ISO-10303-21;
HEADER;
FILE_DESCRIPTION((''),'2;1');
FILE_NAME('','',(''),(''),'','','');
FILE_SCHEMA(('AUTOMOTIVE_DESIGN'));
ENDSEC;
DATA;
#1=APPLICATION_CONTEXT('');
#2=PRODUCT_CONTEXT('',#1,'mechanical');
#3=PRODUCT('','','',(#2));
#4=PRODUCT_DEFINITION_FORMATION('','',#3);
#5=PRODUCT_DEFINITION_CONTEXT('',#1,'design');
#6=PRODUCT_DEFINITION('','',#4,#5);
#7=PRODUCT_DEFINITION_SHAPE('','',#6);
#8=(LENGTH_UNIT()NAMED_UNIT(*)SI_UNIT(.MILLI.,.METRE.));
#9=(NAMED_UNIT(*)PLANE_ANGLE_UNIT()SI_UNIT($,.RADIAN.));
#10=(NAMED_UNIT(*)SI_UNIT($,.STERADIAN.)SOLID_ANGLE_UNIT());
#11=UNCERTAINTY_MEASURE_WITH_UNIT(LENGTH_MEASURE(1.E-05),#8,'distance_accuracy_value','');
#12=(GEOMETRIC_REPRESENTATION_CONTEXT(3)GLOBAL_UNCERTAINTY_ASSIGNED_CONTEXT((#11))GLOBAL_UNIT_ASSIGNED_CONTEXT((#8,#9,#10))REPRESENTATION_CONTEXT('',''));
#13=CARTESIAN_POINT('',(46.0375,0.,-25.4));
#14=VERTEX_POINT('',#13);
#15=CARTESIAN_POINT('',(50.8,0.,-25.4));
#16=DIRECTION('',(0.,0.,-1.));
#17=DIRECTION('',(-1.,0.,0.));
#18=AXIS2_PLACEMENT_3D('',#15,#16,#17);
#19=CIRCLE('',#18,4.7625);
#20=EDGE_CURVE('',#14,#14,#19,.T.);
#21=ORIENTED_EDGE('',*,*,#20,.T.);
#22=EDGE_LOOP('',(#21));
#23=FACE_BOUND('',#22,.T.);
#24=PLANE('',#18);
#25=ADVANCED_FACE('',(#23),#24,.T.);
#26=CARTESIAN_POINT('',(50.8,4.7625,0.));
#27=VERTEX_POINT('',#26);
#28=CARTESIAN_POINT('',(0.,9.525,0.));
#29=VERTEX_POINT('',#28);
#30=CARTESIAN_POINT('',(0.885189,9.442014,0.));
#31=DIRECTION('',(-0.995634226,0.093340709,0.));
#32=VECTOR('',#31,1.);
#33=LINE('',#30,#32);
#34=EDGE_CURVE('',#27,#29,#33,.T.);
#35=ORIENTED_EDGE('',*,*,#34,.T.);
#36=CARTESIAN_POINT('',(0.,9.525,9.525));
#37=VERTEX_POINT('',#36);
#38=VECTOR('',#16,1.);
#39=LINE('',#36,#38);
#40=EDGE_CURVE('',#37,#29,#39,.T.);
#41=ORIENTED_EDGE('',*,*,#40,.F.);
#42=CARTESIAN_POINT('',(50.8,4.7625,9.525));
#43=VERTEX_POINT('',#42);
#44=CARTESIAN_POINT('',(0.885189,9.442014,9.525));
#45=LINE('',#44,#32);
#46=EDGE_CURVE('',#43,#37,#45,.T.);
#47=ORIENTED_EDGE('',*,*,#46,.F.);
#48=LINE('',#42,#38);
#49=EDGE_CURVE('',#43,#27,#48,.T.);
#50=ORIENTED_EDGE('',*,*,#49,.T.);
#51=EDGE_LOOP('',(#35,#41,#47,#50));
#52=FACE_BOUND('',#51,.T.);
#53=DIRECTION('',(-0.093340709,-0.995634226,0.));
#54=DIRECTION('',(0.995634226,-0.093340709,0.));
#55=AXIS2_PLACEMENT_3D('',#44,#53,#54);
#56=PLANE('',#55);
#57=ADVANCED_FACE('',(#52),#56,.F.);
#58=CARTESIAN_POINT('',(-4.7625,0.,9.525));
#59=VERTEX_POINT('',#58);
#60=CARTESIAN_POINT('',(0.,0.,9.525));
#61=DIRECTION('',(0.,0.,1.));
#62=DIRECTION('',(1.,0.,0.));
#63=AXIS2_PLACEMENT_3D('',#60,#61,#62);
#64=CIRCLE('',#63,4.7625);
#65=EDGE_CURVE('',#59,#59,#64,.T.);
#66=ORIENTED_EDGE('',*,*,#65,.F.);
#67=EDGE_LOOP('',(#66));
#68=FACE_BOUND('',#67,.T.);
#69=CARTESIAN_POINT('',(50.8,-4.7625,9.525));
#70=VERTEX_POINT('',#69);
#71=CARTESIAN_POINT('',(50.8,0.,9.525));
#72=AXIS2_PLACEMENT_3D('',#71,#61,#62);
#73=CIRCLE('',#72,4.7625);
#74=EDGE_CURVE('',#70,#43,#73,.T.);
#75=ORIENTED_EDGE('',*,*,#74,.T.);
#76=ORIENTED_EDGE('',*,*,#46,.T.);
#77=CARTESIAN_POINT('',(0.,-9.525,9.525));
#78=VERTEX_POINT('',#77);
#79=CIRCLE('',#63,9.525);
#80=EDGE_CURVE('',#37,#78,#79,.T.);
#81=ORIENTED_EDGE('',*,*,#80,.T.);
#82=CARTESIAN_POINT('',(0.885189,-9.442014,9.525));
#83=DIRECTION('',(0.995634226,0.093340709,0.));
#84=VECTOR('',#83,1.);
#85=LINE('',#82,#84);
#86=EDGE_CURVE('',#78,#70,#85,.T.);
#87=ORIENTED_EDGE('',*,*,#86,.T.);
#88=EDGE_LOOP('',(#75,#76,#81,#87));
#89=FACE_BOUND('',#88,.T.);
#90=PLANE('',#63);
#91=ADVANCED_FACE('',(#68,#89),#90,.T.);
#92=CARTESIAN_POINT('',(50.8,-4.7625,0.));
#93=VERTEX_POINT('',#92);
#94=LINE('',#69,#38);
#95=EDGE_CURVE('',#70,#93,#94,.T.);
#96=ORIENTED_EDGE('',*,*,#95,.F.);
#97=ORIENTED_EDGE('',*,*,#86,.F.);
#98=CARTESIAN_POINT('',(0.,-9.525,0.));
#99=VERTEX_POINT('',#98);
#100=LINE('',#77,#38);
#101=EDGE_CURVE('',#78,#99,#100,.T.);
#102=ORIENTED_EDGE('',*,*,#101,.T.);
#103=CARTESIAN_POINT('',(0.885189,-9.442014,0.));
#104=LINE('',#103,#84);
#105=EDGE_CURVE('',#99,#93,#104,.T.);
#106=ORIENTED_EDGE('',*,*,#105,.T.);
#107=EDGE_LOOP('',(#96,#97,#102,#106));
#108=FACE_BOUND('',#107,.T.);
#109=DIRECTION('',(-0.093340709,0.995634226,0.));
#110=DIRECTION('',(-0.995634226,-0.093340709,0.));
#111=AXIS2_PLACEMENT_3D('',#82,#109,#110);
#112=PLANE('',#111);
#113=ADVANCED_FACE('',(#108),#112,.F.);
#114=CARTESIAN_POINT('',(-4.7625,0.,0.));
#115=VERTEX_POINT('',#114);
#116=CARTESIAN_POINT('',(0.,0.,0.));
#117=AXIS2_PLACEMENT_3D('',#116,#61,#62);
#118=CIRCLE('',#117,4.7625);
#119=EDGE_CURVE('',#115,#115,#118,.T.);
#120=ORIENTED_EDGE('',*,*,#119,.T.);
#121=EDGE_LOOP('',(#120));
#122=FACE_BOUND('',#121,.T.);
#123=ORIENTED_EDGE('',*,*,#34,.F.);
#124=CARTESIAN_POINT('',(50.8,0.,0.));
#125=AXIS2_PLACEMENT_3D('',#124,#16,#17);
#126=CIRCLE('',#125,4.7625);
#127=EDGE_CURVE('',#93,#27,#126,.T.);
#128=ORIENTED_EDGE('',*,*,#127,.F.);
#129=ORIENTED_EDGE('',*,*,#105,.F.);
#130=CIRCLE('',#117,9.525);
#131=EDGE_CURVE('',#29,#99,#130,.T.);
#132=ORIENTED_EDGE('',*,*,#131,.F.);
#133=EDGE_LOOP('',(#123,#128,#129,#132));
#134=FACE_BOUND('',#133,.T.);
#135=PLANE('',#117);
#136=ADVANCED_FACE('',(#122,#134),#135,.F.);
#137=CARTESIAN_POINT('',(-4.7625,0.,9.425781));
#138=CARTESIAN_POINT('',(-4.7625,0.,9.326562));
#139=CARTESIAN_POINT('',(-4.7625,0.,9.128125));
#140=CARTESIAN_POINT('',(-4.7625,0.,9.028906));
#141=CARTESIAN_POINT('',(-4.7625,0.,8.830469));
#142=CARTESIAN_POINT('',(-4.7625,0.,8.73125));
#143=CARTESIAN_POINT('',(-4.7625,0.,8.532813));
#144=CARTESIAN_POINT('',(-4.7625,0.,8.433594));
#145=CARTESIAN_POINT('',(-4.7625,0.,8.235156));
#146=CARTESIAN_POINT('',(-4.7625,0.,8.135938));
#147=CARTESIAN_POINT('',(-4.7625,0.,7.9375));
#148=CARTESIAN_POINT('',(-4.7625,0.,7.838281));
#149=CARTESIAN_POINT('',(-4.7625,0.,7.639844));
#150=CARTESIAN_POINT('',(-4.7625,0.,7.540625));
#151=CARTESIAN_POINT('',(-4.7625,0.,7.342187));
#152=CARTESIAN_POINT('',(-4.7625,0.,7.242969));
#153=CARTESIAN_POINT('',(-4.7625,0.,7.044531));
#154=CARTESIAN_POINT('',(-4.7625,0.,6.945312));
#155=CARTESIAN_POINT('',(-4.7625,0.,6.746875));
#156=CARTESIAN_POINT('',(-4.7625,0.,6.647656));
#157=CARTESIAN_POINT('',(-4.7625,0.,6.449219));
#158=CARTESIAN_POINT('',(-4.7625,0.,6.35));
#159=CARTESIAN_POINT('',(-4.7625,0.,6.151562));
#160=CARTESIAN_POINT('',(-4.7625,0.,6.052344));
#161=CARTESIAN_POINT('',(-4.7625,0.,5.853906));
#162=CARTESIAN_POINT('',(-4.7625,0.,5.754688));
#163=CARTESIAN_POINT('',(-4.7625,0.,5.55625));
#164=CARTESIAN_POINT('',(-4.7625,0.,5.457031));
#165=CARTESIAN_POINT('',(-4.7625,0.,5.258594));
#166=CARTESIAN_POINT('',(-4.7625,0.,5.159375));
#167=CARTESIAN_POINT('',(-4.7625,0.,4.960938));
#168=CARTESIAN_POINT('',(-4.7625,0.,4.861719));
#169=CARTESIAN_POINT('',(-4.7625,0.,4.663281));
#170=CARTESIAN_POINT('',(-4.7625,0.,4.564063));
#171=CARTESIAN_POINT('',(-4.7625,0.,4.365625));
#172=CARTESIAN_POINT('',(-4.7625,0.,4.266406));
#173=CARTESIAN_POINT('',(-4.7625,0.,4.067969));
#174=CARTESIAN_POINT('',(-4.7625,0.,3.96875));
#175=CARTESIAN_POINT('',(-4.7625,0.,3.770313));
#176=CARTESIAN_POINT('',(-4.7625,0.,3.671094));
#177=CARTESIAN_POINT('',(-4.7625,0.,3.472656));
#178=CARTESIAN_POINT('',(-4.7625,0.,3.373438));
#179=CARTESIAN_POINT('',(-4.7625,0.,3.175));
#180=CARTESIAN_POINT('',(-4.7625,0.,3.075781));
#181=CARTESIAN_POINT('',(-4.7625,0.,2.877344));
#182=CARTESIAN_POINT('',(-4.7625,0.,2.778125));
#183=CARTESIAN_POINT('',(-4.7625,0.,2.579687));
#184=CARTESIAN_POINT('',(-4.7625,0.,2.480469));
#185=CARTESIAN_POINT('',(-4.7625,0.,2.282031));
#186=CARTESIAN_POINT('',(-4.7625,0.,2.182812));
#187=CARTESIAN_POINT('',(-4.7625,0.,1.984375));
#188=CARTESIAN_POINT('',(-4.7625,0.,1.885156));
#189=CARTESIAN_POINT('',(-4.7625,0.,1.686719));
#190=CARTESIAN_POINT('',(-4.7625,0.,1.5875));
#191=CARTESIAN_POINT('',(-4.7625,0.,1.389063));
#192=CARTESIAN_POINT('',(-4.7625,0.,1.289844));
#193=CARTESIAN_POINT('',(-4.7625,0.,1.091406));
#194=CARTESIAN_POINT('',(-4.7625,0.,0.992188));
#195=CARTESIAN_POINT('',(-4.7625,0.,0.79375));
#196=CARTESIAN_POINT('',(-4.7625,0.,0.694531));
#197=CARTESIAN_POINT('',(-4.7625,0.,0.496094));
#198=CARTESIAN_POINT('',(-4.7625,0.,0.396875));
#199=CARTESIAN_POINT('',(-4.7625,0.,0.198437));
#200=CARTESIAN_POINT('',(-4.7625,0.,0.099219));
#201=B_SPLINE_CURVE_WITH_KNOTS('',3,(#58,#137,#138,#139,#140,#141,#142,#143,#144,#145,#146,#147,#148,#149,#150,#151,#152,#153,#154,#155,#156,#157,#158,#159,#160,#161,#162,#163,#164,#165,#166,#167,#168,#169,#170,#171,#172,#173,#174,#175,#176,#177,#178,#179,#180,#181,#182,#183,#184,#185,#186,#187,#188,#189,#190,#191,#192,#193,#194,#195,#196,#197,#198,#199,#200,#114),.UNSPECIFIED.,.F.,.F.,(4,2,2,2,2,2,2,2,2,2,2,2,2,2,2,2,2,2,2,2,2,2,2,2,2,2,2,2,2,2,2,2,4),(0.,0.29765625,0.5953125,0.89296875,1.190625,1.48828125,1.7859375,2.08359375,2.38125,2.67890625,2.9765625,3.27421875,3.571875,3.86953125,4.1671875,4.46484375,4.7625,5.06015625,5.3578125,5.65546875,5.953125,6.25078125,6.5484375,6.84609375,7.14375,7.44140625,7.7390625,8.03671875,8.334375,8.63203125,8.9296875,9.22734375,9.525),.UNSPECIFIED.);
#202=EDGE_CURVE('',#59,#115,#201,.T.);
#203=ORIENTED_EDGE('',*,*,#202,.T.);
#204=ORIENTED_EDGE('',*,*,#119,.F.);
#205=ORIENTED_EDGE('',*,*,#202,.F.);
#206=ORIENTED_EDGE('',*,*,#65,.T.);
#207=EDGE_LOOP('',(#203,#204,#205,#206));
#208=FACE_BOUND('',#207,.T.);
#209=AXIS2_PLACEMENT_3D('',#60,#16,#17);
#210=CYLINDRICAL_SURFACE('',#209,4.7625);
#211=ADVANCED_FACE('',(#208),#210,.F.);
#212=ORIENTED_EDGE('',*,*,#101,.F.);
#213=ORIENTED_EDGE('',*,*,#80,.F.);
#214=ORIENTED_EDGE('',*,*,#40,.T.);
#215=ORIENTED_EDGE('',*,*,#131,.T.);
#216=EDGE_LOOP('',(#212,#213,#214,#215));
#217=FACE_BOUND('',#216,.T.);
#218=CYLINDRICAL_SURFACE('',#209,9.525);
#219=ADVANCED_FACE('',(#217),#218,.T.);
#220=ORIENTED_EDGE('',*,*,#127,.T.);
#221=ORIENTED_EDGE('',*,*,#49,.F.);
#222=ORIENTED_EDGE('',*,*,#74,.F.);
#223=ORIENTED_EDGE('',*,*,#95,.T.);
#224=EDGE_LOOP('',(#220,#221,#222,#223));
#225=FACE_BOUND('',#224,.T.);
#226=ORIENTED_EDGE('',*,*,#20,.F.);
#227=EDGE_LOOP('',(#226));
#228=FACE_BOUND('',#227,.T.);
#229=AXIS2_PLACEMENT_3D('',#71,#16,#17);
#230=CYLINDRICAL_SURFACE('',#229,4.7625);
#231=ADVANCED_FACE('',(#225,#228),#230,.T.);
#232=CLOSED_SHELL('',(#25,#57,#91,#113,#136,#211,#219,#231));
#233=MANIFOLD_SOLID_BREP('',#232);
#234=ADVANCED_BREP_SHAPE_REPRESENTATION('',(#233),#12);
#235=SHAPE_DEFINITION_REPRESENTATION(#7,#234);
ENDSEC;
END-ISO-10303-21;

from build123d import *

# Parameters (mm, degrees)
SKETCH1_R           = 4.7625
BOSS_EXTRUDE1_DEPTH = 9.525
BOSS_EXTRUDE4_START = 25.4
SKETCH4_R           = 4.7625
BOSS_EXTRUDE4_DEPTH = 25.4


with BuildPart() as part:
    # Sketch1 → Boss-Extrude1 (new body)
    with BuildSketch(Plane.XY):
        with BuildLine():
            ThreePointArc((0, 9.525), (-9.525, 0), (0, -9.525))
            Line((0, -9.525), (1.770377541, -9.359027106))
            Line((1.770377541, -9.359027106), (50.8, -4.7625))
            ThreePointArc((50.8, -4.7625), (55.5625, 0), (50.8, 4.7625))
            Line((50.8, 4.7625), (1.770377541, 9.359027106))
            Line((1.770377541, 9.359027106), (0, 9.525))
        make_face()
        with Locations(Location((0, 0, 0), (0, 0, 180))):
            Circle(SKETCH1_R, mode=Mode.SUBTRACT)
    extrude(amount=BOSS_EXTRUDE1_DEPTH)

    # Sketch4 → Boss-Extrude4 (add)
    with BuildSketch(Plane(origin=(0, 0, 0), x_dir=(-1, 0, 0), z_dir=(0, 0, -1)).offset(BOSS_EXTRUDE4_START)):
        with Locations((-50.8, 0)):
            Circle(SKETCH4_R)
    extrude(amount=-BOSS_EXTRUDE4_DEPTH)


solid = part.part
